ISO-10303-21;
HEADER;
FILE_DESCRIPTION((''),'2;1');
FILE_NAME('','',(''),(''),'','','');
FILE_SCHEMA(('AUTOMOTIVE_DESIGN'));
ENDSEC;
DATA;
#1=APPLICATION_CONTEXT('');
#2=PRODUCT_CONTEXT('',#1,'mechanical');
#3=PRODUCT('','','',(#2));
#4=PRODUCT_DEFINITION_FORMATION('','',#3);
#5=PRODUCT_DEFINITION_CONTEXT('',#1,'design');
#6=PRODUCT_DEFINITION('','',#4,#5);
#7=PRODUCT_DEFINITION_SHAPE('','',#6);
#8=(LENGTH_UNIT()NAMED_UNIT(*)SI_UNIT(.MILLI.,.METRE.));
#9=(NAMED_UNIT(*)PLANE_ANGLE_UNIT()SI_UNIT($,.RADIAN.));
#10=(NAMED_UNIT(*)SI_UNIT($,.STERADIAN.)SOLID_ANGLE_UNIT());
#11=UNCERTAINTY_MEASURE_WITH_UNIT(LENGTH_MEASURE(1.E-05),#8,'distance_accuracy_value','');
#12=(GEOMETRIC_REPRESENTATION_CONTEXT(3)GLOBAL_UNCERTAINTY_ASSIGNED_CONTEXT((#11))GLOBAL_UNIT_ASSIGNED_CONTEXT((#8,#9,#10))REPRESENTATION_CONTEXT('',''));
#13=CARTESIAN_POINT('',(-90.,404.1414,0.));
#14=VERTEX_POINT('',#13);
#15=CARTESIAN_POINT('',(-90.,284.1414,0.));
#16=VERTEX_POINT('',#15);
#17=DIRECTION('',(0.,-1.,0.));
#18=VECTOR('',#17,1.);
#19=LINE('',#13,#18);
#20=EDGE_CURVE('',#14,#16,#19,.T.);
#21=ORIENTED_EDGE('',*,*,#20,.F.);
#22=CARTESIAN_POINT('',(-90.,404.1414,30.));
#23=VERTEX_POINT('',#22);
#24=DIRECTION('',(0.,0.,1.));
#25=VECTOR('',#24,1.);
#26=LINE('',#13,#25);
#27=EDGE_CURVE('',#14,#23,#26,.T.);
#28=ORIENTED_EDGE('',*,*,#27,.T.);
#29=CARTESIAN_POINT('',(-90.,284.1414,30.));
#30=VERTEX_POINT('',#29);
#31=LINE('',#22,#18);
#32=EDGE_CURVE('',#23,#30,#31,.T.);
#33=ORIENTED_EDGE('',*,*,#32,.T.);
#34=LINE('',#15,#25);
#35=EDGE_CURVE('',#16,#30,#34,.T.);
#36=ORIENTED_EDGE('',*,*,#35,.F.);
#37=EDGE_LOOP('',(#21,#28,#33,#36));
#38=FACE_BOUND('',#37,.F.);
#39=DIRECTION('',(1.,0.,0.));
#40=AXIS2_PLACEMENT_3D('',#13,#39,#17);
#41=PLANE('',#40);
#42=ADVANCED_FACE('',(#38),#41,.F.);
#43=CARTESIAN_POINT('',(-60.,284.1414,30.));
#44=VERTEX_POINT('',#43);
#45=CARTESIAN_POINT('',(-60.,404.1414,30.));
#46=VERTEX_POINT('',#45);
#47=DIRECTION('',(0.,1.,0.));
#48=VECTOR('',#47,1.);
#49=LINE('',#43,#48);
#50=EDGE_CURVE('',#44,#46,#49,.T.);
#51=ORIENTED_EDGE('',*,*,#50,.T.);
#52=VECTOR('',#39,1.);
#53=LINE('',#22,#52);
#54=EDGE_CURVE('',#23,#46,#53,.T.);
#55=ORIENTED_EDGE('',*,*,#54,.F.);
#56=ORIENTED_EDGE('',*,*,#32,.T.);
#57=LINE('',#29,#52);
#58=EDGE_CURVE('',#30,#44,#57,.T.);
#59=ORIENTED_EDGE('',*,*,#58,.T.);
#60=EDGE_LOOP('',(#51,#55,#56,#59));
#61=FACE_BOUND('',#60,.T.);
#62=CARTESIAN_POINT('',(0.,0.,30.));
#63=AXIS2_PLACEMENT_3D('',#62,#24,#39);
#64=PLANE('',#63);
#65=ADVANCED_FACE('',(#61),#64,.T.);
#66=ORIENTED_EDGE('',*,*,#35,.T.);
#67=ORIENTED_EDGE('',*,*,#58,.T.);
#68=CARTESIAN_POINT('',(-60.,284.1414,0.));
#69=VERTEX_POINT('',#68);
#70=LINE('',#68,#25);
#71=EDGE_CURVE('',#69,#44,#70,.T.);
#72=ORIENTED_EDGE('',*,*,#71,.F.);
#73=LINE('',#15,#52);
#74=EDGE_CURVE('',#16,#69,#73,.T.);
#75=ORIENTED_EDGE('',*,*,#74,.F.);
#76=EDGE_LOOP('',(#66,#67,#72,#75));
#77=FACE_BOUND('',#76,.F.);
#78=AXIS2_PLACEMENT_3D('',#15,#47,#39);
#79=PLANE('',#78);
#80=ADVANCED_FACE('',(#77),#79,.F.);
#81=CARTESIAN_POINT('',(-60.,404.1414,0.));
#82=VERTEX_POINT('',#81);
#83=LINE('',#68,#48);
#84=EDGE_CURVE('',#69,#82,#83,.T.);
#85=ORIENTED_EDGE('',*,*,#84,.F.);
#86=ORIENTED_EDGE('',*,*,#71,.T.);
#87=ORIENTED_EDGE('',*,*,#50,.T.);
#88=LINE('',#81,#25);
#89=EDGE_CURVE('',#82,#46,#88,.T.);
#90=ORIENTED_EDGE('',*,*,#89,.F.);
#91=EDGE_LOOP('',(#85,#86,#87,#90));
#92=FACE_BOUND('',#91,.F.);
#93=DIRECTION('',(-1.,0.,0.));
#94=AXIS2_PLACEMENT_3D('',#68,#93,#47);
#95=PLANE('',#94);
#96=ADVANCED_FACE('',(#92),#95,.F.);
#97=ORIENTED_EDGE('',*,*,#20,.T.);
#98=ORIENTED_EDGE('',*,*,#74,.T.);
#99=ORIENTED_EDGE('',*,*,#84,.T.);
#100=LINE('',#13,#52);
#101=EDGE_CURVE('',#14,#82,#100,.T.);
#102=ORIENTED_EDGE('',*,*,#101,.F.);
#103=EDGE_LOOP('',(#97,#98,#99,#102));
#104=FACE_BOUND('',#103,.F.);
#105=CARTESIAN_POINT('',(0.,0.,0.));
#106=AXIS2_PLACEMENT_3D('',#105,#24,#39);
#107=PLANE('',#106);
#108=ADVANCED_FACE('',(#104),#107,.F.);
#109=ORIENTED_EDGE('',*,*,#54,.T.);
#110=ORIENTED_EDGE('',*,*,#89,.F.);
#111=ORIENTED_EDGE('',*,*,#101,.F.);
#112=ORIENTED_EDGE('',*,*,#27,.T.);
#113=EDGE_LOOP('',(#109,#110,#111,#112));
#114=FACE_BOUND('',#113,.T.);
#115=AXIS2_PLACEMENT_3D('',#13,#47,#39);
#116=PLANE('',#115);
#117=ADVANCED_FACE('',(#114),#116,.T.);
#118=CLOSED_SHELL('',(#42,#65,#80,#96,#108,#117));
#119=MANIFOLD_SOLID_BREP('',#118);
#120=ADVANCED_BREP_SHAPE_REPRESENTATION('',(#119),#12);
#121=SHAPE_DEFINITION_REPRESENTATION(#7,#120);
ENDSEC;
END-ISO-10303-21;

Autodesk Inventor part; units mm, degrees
ref_plane "YZ Plane" through (0, 0, 0) normal (1, 0, 0) x (0, 1, 0)
ref_plane "XZ Plane" through (0, 0, 0) normal (0, 1, 0) x (-1, 0, 0)
ref_plane "XY Plane" through (0, 0, 0) normal (0, 0, 1) x (1, 0, 0)
ref_plane "Work Plane1" through (0, 0, 0) normal (0, 0, 1) x (1, 0, 0)
sketch "Sketch1" plane through (0, 0, 0) normal (0, 0, 1) x (1, 0, 0)
  line L0 (-10, -149.0271) -> (-140, -149.0271) projected
  line L1 (-10, -149.0271) -> (-10, 350) projected
  spline S0 degree 3 poles (-55.3463, 478.2829) (-54.4199, 477.2402) (-53.5281, 476.1834) (-41.973, 461.9491) (-29.8681, 440.3891) (-13.701, 393.2059) (-10, 371.2252) (-10, 350) knots -13.956375 -13.956375 -13.956375 -13.956375 -13.398469 -13.398469 -6.367551 -6.367551 0 0 0 0 projected
  line L2 (-55.3463, 478.2829) -> (-94.6537, 478.2829) projected
  spline S1 degree 3 poles (-140, 350) (-140, 366.1219) (-137.8703, 382.0269) (-130.4211, 411.7266) (-125.3688, 425.7323) (-111.9139, 454.5302) (-103.4651, 468.0052) (-95.3677, 477.4713) (-95.011, 477.8807) (-94.6537, 478.2829) knots -5.300276 -5.300276 -5.300276 -5.300276 -3.93351 -3.93351 -2.695997 -2.695997 -1.209053 -1.209053 -1.140685 -1.140685 -1.140685 -1.140685 projected
  line L3 (-140, -149.0271) -> (-140, 350) projected
  line L4 (-90, 404.1414) -> (-60, 404.1414) projected
  line L5 (-60, 404.1414) -> (-60, 434.1414) projected
  line L6 (-60, 434.1414) -> (-90, 434.1414) projected
  line L7 (-90, 434.1414) -> (-90, 404.1414) projected
  line L8 (-60, 404.1414) -> (-90, 404.1414)
  line L9 (-90, 404.1414) -> (-90, 284.1414)
  line L10 (-90, 284.1414) -> (-60, 284.1414)
  line L11 (-60, 284.1414) -> (-60, 404.1414)
  point P0 (0, 0)
  dimension "d0" = 30
  dimension "d1" = 120
extrude "Extrusion1" add sketch "Sketch1" along normal blind 30 contours L4 L11 L10 L9
properties part number "Comm1"
